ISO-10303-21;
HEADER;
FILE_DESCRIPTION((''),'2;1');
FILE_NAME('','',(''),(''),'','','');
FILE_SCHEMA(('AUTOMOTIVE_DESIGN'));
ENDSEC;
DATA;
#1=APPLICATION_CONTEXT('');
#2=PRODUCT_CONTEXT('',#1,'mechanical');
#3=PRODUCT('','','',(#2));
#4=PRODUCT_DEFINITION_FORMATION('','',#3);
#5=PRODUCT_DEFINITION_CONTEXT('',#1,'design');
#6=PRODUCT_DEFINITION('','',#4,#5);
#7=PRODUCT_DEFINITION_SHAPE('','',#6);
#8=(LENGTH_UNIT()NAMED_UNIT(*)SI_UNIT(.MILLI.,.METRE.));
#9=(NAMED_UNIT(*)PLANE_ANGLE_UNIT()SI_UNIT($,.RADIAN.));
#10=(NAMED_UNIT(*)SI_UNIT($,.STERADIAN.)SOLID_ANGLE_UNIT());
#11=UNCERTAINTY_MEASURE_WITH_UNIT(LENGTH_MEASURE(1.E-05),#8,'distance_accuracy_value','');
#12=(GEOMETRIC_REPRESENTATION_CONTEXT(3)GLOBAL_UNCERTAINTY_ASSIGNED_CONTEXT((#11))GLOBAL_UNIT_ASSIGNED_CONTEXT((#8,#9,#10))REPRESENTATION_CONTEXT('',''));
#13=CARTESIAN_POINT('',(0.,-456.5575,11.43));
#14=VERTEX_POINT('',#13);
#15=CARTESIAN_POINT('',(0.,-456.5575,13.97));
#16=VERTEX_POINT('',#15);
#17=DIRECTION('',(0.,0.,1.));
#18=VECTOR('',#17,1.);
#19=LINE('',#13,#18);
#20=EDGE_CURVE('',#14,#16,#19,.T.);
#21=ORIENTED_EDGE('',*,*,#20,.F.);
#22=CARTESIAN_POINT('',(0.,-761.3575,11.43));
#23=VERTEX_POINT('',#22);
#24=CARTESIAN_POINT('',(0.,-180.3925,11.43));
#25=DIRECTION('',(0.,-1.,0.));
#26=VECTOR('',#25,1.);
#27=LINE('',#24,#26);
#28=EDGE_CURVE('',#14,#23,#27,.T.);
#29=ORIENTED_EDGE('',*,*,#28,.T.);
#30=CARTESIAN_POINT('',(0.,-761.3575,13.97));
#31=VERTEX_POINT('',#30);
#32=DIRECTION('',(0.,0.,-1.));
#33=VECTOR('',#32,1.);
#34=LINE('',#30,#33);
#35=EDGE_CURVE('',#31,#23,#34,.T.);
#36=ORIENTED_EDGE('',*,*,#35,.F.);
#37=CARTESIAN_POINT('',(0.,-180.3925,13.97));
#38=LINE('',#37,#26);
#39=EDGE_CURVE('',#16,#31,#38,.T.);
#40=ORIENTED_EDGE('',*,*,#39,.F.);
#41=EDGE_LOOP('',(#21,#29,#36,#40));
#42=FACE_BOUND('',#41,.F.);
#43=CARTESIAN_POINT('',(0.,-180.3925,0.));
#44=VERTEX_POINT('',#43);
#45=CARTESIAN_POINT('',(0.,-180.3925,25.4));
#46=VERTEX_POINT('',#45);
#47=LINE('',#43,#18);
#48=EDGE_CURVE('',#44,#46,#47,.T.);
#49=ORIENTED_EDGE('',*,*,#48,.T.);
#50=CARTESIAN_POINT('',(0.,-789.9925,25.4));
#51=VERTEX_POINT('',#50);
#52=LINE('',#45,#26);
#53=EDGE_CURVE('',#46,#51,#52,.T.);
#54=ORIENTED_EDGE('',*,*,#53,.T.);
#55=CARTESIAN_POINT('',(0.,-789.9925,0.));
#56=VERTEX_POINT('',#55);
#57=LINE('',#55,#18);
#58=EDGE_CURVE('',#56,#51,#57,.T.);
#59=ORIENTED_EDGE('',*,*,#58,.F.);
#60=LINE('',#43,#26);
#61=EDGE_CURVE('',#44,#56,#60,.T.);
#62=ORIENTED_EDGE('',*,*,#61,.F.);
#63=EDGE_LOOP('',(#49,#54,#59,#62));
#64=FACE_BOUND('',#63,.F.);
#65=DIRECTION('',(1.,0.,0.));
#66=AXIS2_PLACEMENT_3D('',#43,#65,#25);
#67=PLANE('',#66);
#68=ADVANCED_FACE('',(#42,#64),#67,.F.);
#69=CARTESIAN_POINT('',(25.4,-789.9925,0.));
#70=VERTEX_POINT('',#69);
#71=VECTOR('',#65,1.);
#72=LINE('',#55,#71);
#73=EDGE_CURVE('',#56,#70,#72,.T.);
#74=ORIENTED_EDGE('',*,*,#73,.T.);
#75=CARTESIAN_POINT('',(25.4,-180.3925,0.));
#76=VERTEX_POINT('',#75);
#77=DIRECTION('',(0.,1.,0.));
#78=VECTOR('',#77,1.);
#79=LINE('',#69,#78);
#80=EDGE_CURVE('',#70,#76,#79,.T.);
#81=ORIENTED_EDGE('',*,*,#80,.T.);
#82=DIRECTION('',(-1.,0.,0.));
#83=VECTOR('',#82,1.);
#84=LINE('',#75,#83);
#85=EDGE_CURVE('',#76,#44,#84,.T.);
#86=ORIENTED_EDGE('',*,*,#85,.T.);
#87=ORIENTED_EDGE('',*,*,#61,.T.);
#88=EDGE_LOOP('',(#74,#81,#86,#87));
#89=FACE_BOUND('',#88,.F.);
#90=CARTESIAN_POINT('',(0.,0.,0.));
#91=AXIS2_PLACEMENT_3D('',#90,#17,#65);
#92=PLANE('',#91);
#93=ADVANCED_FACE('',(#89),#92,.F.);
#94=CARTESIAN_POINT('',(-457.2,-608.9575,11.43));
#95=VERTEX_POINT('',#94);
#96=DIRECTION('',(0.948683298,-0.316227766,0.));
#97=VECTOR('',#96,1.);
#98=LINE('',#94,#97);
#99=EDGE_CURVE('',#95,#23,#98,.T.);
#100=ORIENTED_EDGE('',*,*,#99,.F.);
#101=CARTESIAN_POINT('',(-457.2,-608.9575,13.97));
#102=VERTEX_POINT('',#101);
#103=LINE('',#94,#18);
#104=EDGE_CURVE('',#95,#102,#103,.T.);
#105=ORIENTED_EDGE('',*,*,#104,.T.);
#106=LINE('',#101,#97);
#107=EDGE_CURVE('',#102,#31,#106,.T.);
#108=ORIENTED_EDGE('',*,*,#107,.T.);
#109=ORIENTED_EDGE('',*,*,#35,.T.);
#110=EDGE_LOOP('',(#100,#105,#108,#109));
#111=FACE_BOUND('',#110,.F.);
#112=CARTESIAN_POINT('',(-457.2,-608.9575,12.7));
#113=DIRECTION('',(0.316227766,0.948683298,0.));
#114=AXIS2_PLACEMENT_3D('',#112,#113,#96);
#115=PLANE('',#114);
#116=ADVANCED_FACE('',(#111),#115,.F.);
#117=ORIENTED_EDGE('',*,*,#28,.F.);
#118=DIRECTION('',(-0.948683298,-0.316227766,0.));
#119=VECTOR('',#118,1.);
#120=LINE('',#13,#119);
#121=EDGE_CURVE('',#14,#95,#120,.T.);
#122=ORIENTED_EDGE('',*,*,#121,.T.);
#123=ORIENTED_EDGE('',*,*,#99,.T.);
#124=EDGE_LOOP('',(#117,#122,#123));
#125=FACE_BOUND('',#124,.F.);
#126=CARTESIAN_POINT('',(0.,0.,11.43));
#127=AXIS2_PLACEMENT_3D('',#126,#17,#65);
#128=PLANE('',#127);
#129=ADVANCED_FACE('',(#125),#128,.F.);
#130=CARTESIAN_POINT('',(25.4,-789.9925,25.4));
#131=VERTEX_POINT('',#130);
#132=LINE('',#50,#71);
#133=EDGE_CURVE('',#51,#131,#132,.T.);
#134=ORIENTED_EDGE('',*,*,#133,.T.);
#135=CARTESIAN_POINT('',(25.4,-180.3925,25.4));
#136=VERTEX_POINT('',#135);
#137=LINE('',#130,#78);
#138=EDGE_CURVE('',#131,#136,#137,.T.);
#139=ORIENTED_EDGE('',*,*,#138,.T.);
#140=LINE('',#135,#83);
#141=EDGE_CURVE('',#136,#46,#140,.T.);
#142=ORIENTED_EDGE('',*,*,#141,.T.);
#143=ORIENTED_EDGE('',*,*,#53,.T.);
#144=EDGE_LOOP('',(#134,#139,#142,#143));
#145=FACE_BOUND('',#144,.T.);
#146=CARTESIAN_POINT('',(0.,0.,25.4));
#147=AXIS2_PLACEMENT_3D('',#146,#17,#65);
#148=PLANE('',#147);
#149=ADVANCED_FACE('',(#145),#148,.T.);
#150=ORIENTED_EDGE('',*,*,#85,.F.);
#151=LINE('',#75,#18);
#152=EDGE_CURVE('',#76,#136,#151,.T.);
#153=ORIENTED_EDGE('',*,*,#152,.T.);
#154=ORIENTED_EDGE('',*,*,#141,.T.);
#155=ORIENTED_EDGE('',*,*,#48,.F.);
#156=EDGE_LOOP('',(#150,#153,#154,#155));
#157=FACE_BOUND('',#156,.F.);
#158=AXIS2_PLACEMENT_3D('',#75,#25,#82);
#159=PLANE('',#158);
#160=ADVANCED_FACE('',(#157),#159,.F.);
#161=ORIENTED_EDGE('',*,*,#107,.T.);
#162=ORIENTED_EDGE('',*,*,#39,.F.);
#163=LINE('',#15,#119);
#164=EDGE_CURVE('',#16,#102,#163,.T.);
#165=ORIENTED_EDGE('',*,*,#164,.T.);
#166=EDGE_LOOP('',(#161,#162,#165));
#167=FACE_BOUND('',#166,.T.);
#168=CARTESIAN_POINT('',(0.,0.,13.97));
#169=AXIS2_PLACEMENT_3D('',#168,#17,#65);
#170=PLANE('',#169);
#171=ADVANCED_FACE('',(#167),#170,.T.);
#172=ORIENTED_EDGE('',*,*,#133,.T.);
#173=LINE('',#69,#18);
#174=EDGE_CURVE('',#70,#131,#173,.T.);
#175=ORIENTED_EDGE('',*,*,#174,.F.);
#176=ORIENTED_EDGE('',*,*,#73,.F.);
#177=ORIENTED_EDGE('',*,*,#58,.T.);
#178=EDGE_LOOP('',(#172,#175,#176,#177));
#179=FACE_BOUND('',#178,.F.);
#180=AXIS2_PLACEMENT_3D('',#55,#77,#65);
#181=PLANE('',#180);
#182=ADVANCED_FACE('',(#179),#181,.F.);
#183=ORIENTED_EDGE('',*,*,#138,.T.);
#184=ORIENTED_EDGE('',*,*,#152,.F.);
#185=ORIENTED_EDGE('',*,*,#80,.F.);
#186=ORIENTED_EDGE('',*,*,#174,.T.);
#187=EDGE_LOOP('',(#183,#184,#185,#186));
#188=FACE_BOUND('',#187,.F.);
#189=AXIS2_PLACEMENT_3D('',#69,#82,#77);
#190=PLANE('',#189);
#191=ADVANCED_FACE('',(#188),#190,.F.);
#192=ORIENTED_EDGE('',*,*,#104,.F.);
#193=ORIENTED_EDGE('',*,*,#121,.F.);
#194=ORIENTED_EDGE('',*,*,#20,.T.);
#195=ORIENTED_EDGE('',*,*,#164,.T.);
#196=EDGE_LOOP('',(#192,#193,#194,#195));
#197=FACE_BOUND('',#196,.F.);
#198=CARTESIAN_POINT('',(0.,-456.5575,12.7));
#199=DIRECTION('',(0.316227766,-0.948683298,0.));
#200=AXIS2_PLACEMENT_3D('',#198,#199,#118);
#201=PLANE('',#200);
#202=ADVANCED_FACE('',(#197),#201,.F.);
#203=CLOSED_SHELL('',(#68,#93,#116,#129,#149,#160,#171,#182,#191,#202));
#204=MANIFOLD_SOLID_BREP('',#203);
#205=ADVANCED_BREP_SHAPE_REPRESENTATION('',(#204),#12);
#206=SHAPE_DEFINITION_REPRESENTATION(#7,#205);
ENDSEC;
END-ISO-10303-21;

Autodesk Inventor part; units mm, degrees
ref_plane "YZ Plane" through (0, 0, 0) normal (1, 0, 0) x (0, 1, 0)
ref_plane "XZ Plane" through (0, 0, 0) normal (0, 1, 0) x (-1, 0, 0)
ref_plane "XY Plane" through (0, 0, 0) normal (0, 0, 1) x (1, 0, 0)
ref_plane "Work Plane1" through (0, 0, 0) normal (0, 0, 1) x (1, 0, 0)
sketch "Sketch1" plane through (0, 0, 0) normal (0, 0, 1) x (1, 0, 0)
  line L0 (0, -789.9925) -> (25.4, -789.9925)
  line L1 (25.4, -789.9925) -> (25.4, -180.3925)
  line L2 (25.4, -180.3925) -> (0, -180.3925)
  line L3 (0, -180.3925) -> (0, -789.9925)
  point P0 (0, 0)
  dimension "d0" = 25.4
  dimension "d1" = 609.6
extrude "Extrusion1" add sketch "Sketch1" along normal blind 25.4
ref_plane "Work Plane2" through (0, 0, 12.7) normal (0, 0, 1) x (1, 0, 0)
sketch "Sketch3" plane through (0, 0, 12.7) normal (0, 0, 1) x (1, 0, 0)
  line L0 (0, -180.3925) -> (0, -789.9925) projected
  line L1 (0, -761.3575) -> (0, -456.5575)
  line L2 (0, -456.5575) -> (-457.2, -608.9575)
  line L3 (-457.2, -608.9575) -> (0, -761.3575)
  point P0 (0, 0)
  dimension "d8" = 304.8
  dimension "d9" = 457.2
extrude "Extrusion2" add sketch "Sketch3" along normal mid plane 2.54
properties part number "flag holder"
